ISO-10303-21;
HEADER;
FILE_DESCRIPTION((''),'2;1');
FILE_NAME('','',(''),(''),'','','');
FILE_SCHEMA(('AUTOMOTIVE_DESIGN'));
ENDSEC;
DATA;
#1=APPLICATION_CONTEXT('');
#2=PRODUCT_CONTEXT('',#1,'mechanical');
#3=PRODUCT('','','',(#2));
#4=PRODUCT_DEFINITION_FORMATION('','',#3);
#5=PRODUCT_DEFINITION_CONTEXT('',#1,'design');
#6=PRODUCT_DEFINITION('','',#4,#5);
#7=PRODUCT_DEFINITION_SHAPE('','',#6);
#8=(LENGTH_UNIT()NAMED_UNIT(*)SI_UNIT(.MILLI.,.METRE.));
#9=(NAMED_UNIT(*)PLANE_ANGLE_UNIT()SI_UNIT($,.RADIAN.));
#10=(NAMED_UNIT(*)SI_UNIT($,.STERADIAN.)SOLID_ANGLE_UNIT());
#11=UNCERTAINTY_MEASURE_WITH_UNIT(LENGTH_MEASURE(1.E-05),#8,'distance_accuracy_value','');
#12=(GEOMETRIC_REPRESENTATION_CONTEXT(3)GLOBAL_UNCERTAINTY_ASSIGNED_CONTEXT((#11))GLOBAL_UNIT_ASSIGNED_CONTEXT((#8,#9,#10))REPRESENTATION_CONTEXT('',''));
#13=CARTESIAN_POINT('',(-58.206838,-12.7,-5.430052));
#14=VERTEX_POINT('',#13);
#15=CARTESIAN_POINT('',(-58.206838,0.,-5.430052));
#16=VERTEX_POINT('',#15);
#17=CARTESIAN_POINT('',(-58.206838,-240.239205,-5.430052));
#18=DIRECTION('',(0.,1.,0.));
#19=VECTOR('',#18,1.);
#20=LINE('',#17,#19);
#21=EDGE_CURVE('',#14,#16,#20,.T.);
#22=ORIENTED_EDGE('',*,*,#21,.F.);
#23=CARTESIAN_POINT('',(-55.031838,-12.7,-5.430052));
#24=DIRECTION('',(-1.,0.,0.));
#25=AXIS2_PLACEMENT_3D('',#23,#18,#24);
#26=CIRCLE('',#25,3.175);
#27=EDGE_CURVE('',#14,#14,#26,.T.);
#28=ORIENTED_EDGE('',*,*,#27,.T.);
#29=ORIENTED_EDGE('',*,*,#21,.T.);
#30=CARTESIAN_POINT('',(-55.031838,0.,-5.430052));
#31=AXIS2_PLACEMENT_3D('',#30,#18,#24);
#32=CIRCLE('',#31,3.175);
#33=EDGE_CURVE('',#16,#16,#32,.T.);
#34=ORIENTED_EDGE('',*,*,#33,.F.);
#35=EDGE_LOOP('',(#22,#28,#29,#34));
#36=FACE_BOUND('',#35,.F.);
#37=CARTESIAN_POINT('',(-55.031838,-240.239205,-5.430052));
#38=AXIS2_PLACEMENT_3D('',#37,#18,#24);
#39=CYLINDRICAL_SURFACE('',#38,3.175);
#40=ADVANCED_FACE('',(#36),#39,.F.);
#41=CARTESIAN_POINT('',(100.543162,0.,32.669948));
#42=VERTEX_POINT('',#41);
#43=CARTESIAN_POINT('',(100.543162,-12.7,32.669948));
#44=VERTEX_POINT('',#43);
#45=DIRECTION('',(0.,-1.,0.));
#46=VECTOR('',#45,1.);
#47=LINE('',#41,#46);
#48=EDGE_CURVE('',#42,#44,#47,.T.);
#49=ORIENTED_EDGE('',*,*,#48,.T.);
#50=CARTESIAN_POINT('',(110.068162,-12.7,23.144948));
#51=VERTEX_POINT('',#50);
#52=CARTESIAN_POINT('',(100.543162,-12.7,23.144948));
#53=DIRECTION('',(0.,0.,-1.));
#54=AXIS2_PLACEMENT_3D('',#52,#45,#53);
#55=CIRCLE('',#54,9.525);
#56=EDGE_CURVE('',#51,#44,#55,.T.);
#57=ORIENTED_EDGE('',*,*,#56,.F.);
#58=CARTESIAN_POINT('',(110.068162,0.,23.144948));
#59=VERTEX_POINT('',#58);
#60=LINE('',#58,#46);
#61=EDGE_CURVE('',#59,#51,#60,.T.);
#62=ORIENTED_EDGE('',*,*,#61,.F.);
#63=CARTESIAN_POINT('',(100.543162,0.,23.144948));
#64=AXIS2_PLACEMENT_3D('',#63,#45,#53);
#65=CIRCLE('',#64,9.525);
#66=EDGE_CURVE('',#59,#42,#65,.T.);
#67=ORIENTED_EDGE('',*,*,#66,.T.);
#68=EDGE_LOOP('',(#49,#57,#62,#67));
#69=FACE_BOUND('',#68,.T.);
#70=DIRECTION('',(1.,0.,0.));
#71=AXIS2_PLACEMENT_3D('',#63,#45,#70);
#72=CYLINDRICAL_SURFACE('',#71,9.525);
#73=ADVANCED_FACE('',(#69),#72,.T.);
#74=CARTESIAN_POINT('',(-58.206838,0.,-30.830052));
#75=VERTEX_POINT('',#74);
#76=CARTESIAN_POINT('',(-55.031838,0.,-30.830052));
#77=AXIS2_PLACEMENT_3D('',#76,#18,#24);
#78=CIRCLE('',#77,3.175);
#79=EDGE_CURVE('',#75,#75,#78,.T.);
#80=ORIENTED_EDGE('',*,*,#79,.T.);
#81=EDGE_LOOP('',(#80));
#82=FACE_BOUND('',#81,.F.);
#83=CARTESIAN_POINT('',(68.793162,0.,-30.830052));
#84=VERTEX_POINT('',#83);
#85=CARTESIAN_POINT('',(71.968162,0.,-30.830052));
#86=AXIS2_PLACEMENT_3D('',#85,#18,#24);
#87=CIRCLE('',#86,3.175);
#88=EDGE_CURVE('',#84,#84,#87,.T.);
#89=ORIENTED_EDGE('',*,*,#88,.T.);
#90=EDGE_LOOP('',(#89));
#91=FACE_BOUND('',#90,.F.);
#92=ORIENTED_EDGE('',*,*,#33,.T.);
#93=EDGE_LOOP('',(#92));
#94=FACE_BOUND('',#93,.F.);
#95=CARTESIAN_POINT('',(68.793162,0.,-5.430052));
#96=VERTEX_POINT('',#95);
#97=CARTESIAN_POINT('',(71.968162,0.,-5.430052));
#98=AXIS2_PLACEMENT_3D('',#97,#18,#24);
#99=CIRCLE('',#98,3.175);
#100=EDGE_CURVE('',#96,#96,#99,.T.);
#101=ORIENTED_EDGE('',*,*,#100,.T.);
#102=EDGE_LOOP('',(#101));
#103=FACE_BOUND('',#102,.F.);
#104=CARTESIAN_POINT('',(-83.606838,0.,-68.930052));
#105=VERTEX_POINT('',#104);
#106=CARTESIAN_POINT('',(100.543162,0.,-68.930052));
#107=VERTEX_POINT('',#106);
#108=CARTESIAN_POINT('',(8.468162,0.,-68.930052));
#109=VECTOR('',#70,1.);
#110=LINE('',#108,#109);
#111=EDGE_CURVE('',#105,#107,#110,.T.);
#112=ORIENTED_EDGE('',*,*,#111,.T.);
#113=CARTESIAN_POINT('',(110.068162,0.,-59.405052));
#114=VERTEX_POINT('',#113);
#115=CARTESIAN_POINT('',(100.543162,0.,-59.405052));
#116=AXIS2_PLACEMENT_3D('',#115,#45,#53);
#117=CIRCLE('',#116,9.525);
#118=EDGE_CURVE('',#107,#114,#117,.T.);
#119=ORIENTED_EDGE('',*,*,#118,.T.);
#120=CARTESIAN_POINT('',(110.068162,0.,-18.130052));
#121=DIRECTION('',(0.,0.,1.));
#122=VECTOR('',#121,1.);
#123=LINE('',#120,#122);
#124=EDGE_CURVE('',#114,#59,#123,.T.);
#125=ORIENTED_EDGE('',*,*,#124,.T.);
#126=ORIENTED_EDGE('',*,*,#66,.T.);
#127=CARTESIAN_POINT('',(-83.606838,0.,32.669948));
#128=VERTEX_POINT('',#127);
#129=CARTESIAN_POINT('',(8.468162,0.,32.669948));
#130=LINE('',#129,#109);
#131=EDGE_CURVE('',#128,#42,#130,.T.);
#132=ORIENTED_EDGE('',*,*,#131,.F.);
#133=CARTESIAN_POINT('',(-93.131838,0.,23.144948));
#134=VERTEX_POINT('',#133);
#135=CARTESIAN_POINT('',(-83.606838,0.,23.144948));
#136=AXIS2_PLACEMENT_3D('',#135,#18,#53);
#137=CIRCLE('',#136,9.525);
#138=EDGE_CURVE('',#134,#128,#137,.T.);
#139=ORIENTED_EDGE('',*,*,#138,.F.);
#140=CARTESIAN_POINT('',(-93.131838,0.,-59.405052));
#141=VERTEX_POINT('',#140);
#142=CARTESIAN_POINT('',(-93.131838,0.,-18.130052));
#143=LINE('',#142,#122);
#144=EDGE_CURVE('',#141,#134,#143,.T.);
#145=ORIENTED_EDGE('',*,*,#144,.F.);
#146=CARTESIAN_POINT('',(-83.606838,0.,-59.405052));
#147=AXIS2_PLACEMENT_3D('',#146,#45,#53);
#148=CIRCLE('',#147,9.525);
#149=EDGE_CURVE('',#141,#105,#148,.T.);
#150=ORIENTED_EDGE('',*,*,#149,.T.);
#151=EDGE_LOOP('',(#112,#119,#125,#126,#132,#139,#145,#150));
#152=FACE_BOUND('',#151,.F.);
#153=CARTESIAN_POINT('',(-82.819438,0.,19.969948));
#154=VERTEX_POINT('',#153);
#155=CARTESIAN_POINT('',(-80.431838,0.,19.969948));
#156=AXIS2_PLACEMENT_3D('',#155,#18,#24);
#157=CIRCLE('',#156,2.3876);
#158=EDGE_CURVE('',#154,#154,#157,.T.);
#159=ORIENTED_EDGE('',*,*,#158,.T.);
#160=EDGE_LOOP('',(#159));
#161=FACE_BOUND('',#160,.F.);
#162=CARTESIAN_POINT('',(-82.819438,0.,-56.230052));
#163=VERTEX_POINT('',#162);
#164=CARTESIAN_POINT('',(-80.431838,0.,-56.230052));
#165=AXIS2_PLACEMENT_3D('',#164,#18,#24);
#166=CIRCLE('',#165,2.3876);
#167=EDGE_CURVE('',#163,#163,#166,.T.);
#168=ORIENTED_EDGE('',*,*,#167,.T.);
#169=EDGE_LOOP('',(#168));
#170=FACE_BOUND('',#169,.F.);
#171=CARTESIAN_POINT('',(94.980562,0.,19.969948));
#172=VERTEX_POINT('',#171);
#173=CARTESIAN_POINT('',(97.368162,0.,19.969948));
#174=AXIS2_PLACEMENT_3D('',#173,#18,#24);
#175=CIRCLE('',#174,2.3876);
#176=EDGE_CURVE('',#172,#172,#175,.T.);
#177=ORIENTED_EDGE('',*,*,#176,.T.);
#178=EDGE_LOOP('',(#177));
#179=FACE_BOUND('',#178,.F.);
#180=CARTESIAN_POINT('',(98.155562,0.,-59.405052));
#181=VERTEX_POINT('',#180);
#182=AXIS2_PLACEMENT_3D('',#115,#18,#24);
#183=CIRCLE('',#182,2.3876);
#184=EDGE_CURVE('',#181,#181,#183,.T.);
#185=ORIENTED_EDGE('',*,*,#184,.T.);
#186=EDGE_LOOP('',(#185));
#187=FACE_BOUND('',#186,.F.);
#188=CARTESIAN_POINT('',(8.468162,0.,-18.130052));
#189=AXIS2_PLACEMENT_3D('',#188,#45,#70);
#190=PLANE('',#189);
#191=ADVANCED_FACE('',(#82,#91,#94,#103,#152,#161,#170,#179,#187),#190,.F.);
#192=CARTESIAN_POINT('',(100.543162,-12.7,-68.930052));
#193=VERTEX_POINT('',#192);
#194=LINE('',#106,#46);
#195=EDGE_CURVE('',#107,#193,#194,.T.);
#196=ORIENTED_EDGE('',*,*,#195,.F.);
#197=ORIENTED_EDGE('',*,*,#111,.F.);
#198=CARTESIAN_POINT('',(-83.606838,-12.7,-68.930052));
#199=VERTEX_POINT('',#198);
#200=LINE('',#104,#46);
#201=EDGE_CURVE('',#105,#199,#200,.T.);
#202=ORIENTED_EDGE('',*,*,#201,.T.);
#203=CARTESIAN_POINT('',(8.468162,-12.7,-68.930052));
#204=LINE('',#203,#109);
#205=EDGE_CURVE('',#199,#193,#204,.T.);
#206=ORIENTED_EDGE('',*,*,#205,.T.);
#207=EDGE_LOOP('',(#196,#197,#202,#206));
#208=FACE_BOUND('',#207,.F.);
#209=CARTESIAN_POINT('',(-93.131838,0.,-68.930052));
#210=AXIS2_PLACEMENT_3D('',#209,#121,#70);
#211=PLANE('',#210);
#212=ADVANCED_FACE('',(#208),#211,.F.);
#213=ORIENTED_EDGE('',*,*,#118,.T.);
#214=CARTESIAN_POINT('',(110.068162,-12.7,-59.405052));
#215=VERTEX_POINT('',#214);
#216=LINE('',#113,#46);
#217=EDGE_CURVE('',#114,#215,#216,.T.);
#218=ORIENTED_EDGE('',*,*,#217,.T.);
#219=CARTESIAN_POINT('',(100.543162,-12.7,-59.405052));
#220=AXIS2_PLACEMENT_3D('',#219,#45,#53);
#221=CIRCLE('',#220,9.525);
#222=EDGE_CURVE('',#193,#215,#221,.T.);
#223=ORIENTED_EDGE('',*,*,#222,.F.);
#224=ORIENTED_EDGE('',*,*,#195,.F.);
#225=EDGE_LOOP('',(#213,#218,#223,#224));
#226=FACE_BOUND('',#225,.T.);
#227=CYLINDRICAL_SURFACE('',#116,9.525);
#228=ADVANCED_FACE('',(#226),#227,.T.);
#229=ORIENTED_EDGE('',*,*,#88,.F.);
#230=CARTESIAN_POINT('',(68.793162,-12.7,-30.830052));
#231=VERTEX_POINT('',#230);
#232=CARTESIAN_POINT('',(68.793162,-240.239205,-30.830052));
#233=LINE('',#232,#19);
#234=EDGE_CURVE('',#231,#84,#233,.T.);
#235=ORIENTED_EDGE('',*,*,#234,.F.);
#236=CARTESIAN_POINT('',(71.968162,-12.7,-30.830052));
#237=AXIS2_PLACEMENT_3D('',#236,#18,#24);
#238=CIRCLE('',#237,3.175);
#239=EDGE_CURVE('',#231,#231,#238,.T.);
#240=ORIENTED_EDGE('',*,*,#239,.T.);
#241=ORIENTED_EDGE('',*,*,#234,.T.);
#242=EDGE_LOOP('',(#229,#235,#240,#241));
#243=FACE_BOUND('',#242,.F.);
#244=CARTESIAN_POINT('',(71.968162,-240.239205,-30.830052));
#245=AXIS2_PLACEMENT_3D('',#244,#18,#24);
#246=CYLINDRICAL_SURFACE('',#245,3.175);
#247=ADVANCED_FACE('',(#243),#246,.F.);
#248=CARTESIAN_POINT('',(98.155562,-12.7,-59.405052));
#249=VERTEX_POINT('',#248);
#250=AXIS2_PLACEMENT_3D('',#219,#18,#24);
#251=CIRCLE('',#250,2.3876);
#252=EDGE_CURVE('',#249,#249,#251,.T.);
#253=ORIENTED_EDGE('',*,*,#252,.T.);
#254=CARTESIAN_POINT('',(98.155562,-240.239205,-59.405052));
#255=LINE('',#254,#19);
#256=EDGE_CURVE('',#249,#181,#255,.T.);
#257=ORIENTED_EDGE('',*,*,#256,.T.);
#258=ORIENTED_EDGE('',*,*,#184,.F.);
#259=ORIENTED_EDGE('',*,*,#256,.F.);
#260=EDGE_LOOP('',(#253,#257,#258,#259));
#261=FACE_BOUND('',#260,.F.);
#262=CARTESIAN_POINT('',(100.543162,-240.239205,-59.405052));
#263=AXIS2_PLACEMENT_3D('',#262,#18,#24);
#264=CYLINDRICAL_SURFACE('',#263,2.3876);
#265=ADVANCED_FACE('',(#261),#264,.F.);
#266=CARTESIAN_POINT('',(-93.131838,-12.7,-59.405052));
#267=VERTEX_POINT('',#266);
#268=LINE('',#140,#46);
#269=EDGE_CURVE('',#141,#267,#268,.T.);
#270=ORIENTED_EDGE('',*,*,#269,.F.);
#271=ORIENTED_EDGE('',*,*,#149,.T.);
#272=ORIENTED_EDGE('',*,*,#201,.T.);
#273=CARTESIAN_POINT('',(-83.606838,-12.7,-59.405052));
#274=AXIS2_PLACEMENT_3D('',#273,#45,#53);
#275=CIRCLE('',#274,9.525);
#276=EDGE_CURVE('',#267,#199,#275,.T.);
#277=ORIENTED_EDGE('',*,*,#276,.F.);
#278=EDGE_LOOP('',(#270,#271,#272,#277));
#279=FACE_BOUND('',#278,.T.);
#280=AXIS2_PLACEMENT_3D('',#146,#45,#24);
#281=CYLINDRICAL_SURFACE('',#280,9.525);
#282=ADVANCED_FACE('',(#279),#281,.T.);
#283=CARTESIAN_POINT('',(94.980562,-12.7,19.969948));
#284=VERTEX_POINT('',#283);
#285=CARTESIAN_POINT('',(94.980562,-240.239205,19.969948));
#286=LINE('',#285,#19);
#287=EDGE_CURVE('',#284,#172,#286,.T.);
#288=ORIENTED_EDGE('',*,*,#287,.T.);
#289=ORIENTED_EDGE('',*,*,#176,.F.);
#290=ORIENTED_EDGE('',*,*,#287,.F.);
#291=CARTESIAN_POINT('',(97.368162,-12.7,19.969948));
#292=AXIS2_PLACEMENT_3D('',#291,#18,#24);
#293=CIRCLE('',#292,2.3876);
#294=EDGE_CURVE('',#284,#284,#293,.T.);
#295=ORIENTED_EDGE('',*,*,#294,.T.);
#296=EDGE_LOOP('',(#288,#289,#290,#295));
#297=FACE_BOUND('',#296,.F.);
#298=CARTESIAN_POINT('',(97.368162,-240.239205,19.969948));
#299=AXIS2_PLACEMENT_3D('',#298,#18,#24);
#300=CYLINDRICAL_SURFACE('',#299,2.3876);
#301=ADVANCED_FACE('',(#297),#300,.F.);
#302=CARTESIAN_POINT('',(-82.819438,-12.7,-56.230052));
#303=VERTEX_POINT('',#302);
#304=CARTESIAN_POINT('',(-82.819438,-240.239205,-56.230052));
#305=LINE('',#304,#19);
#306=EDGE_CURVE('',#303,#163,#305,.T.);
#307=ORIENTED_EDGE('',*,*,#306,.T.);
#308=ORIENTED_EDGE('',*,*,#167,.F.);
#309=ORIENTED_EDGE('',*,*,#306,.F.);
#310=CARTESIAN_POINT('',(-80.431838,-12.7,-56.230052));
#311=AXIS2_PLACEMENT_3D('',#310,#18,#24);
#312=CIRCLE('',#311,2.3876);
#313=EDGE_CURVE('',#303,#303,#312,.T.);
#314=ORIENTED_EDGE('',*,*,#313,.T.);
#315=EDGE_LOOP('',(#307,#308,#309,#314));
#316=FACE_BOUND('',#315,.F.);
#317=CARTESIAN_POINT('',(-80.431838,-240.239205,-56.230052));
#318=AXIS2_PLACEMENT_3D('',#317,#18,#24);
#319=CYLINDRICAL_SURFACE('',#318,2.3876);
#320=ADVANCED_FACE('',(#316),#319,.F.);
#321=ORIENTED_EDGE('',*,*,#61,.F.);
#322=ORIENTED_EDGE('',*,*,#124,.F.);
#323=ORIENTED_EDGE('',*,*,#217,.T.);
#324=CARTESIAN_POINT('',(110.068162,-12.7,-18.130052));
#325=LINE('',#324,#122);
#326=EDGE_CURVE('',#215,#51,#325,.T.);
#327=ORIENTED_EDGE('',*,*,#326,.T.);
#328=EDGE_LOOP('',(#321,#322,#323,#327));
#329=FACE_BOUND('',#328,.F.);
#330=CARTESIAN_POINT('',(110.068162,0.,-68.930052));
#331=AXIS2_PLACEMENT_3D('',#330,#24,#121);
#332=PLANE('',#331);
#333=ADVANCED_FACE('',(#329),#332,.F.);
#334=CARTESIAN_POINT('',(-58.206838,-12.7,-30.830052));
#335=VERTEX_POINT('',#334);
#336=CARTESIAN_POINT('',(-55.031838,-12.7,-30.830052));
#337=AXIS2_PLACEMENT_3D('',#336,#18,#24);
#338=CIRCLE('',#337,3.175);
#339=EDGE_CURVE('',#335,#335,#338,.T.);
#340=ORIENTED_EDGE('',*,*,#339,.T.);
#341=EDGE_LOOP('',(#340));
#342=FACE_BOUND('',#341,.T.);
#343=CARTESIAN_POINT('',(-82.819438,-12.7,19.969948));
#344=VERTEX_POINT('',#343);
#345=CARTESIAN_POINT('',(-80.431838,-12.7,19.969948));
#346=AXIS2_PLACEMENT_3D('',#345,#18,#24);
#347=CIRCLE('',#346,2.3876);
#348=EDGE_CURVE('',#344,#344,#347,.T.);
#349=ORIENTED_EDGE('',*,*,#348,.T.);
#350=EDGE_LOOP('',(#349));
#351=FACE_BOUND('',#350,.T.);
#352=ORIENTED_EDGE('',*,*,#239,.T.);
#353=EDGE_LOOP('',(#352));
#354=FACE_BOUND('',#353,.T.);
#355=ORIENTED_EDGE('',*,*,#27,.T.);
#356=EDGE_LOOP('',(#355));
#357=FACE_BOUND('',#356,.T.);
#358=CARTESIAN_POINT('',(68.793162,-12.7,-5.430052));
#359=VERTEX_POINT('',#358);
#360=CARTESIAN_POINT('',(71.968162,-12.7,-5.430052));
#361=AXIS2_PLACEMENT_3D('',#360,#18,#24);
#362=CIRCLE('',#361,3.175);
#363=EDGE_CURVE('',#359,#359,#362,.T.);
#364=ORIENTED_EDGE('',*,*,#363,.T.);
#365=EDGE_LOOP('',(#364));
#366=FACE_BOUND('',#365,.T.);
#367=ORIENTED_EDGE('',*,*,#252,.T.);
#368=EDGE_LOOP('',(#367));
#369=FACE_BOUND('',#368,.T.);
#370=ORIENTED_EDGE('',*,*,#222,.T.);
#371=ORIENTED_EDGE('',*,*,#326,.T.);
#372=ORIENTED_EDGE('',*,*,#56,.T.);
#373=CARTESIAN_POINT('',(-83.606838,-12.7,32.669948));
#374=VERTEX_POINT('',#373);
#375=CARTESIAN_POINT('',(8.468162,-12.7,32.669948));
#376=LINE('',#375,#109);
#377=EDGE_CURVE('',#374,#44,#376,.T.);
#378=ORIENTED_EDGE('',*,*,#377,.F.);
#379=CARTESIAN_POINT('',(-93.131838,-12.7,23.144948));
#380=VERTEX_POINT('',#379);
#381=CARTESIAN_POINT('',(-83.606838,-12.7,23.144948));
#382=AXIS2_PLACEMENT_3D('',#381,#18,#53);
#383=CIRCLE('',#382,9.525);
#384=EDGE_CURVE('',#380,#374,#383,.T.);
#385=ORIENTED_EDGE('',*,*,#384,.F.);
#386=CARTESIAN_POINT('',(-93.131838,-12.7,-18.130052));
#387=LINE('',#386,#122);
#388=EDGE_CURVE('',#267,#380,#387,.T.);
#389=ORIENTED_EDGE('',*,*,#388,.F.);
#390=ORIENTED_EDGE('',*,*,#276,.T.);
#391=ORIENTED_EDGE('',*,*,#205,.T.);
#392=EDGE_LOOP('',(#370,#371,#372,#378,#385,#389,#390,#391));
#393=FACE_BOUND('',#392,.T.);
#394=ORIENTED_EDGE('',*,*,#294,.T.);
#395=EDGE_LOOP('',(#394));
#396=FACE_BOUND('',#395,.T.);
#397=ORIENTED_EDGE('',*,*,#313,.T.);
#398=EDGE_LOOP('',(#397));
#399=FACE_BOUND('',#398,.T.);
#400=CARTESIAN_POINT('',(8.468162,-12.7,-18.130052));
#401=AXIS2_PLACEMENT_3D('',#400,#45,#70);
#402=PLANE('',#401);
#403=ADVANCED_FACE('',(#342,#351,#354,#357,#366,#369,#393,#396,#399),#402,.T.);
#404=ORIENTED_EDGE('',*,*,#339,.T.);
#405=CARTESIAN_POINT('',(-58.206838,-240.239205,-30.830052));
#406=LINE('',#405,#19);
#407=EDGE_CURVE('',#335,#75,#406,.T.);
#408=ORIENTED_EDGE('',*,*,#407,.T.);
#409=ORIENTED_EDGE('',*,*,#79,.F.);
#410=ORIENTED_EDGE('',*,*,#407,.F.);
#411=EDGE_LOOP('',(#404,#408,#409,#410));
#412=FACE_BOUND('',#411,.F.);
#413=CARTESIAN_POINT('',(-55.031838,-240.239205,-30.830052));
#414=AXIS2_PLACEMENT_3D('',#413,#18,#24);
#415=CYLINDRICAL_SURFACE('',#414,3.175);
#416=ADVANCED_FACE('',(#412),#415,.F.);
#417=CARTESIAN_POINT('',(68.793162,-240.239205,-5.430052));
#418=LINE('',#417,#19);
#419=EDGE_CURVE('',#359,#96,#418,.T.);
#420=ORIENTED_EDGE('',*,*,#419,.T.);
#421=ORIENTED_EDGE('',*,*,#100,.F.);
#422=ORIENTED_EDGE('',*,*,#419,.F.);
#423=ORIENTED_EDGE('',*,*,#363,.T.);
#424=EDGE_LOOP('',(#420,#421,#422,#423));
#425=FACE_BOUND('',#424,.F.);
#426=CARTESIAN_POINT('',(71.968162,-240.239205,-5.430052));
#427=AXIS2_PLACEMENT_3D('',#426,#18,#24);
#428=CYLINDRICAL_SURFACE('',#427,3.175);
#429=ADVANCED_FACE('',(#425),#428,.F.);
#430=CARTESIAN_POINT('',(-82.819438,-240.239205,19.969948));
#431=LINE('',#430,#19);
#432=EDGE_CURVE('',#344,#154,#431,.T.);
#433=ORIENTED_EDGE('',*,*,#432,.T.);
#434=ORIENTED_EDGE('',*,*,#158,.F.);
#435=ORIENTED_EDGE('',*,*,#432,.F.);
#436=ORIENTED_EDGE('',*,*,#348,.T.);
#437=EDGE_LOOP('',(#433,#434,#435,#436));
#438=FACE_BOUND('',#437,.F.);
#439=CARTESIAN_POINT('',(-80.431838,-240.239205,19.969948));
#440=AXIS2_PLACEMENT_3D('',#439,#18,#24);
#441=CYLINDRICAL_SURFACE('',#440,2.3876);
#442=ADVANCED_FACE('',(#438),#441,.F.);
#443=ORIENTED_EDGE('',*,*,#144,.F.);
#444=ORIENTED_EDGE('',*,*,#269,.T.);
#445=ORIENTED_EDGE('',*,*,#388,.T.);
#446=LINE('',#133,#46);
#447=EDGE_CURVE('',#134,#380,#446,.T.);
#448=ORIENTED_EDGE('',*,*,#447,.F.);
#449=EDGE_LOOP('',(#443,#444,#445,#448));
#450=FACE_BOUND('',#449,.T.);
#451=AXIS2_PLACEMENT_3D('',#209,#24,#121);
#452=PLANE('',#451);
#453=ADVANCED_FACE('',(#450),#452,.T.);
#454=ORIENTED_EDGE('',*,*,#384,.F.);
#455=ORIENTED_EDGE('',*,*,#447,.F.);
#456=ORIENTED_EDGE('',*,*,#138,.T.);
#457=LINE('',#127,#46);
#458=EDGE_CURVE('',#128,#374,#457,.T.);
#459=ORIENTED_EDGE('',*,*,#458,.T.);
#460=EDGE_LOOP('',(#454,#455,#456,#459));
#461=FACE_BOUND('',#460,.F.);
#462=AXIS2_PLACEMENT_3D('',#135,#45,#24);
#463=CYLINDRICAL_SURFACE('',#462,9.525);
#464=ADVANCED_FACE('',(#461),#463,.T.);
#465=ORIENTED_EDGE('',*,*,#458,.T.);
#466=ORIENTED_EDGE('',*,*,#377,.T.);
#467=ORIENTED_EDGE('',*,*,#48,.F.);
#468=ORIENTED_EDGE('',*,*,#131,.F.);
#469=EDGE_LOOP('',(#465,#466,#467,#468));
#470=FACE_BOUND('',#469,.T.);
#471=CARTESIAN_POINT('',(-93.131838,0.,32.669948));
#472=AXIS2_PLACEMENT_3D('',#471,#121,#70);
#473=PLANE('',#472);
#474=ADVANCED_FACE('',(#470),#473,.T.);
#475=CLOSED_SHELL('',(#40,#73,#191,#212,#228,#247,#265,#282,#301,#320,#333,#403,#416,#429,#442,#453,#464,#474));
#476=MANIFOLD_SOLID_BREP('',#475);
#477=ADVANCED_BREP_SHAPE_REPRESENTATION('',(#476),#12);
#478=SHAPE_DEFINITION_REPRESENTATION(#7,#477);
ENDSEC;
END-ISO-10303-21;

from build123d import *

# Parameters (mm, degrees)
F0_W     = 203.2
F0_H     = 101.6
F1_DEPTH = 12.7
F2_R     = 9.525
F4_D     = 4.7752
F6_D     = 6.35


with BuildPart() as f1:
    # F0 (on Front) → F1 (new body)
    with BuildSketch(Plane.XZ):
        with Locations((8.468162, -18.130052)):
            Rectangle(F0_W, F0_H)
    extrude(amount=F1_DEPTH)

    # F2
    f2_edges = [f1.edges().sort_by_distance(p)[0] for p in [
        (-93.131838, -6.35, 32.669948),
        (-93.131838, -6.35, -68.930052),
        (110.068162, -6.35, -68.930052),
        (110.068162, -6.35, 32.669948),
    ]]
    fillet(f2_edges, radius=F2_R)

    # F4 (through all)
    with Locations(Plane.XZ.offset(12.7)):
        with Locations((-80.431838, 19.969948), (-80.431838, -56.230052), (97.368162, 19.969948), (100.543162, -59.405052)):
            Hole(F4_D / 2)

    # F6 (through all)
    with Locations(Plane.XZ.offset(12.7)):
        with Locations((-55.031838, -5.430052), (-55.031838, -30.830052), (71.968162, -5.430052), (71.968162, -30.830052)):
            Hole(F6_D / 2)


solid = f1.part
